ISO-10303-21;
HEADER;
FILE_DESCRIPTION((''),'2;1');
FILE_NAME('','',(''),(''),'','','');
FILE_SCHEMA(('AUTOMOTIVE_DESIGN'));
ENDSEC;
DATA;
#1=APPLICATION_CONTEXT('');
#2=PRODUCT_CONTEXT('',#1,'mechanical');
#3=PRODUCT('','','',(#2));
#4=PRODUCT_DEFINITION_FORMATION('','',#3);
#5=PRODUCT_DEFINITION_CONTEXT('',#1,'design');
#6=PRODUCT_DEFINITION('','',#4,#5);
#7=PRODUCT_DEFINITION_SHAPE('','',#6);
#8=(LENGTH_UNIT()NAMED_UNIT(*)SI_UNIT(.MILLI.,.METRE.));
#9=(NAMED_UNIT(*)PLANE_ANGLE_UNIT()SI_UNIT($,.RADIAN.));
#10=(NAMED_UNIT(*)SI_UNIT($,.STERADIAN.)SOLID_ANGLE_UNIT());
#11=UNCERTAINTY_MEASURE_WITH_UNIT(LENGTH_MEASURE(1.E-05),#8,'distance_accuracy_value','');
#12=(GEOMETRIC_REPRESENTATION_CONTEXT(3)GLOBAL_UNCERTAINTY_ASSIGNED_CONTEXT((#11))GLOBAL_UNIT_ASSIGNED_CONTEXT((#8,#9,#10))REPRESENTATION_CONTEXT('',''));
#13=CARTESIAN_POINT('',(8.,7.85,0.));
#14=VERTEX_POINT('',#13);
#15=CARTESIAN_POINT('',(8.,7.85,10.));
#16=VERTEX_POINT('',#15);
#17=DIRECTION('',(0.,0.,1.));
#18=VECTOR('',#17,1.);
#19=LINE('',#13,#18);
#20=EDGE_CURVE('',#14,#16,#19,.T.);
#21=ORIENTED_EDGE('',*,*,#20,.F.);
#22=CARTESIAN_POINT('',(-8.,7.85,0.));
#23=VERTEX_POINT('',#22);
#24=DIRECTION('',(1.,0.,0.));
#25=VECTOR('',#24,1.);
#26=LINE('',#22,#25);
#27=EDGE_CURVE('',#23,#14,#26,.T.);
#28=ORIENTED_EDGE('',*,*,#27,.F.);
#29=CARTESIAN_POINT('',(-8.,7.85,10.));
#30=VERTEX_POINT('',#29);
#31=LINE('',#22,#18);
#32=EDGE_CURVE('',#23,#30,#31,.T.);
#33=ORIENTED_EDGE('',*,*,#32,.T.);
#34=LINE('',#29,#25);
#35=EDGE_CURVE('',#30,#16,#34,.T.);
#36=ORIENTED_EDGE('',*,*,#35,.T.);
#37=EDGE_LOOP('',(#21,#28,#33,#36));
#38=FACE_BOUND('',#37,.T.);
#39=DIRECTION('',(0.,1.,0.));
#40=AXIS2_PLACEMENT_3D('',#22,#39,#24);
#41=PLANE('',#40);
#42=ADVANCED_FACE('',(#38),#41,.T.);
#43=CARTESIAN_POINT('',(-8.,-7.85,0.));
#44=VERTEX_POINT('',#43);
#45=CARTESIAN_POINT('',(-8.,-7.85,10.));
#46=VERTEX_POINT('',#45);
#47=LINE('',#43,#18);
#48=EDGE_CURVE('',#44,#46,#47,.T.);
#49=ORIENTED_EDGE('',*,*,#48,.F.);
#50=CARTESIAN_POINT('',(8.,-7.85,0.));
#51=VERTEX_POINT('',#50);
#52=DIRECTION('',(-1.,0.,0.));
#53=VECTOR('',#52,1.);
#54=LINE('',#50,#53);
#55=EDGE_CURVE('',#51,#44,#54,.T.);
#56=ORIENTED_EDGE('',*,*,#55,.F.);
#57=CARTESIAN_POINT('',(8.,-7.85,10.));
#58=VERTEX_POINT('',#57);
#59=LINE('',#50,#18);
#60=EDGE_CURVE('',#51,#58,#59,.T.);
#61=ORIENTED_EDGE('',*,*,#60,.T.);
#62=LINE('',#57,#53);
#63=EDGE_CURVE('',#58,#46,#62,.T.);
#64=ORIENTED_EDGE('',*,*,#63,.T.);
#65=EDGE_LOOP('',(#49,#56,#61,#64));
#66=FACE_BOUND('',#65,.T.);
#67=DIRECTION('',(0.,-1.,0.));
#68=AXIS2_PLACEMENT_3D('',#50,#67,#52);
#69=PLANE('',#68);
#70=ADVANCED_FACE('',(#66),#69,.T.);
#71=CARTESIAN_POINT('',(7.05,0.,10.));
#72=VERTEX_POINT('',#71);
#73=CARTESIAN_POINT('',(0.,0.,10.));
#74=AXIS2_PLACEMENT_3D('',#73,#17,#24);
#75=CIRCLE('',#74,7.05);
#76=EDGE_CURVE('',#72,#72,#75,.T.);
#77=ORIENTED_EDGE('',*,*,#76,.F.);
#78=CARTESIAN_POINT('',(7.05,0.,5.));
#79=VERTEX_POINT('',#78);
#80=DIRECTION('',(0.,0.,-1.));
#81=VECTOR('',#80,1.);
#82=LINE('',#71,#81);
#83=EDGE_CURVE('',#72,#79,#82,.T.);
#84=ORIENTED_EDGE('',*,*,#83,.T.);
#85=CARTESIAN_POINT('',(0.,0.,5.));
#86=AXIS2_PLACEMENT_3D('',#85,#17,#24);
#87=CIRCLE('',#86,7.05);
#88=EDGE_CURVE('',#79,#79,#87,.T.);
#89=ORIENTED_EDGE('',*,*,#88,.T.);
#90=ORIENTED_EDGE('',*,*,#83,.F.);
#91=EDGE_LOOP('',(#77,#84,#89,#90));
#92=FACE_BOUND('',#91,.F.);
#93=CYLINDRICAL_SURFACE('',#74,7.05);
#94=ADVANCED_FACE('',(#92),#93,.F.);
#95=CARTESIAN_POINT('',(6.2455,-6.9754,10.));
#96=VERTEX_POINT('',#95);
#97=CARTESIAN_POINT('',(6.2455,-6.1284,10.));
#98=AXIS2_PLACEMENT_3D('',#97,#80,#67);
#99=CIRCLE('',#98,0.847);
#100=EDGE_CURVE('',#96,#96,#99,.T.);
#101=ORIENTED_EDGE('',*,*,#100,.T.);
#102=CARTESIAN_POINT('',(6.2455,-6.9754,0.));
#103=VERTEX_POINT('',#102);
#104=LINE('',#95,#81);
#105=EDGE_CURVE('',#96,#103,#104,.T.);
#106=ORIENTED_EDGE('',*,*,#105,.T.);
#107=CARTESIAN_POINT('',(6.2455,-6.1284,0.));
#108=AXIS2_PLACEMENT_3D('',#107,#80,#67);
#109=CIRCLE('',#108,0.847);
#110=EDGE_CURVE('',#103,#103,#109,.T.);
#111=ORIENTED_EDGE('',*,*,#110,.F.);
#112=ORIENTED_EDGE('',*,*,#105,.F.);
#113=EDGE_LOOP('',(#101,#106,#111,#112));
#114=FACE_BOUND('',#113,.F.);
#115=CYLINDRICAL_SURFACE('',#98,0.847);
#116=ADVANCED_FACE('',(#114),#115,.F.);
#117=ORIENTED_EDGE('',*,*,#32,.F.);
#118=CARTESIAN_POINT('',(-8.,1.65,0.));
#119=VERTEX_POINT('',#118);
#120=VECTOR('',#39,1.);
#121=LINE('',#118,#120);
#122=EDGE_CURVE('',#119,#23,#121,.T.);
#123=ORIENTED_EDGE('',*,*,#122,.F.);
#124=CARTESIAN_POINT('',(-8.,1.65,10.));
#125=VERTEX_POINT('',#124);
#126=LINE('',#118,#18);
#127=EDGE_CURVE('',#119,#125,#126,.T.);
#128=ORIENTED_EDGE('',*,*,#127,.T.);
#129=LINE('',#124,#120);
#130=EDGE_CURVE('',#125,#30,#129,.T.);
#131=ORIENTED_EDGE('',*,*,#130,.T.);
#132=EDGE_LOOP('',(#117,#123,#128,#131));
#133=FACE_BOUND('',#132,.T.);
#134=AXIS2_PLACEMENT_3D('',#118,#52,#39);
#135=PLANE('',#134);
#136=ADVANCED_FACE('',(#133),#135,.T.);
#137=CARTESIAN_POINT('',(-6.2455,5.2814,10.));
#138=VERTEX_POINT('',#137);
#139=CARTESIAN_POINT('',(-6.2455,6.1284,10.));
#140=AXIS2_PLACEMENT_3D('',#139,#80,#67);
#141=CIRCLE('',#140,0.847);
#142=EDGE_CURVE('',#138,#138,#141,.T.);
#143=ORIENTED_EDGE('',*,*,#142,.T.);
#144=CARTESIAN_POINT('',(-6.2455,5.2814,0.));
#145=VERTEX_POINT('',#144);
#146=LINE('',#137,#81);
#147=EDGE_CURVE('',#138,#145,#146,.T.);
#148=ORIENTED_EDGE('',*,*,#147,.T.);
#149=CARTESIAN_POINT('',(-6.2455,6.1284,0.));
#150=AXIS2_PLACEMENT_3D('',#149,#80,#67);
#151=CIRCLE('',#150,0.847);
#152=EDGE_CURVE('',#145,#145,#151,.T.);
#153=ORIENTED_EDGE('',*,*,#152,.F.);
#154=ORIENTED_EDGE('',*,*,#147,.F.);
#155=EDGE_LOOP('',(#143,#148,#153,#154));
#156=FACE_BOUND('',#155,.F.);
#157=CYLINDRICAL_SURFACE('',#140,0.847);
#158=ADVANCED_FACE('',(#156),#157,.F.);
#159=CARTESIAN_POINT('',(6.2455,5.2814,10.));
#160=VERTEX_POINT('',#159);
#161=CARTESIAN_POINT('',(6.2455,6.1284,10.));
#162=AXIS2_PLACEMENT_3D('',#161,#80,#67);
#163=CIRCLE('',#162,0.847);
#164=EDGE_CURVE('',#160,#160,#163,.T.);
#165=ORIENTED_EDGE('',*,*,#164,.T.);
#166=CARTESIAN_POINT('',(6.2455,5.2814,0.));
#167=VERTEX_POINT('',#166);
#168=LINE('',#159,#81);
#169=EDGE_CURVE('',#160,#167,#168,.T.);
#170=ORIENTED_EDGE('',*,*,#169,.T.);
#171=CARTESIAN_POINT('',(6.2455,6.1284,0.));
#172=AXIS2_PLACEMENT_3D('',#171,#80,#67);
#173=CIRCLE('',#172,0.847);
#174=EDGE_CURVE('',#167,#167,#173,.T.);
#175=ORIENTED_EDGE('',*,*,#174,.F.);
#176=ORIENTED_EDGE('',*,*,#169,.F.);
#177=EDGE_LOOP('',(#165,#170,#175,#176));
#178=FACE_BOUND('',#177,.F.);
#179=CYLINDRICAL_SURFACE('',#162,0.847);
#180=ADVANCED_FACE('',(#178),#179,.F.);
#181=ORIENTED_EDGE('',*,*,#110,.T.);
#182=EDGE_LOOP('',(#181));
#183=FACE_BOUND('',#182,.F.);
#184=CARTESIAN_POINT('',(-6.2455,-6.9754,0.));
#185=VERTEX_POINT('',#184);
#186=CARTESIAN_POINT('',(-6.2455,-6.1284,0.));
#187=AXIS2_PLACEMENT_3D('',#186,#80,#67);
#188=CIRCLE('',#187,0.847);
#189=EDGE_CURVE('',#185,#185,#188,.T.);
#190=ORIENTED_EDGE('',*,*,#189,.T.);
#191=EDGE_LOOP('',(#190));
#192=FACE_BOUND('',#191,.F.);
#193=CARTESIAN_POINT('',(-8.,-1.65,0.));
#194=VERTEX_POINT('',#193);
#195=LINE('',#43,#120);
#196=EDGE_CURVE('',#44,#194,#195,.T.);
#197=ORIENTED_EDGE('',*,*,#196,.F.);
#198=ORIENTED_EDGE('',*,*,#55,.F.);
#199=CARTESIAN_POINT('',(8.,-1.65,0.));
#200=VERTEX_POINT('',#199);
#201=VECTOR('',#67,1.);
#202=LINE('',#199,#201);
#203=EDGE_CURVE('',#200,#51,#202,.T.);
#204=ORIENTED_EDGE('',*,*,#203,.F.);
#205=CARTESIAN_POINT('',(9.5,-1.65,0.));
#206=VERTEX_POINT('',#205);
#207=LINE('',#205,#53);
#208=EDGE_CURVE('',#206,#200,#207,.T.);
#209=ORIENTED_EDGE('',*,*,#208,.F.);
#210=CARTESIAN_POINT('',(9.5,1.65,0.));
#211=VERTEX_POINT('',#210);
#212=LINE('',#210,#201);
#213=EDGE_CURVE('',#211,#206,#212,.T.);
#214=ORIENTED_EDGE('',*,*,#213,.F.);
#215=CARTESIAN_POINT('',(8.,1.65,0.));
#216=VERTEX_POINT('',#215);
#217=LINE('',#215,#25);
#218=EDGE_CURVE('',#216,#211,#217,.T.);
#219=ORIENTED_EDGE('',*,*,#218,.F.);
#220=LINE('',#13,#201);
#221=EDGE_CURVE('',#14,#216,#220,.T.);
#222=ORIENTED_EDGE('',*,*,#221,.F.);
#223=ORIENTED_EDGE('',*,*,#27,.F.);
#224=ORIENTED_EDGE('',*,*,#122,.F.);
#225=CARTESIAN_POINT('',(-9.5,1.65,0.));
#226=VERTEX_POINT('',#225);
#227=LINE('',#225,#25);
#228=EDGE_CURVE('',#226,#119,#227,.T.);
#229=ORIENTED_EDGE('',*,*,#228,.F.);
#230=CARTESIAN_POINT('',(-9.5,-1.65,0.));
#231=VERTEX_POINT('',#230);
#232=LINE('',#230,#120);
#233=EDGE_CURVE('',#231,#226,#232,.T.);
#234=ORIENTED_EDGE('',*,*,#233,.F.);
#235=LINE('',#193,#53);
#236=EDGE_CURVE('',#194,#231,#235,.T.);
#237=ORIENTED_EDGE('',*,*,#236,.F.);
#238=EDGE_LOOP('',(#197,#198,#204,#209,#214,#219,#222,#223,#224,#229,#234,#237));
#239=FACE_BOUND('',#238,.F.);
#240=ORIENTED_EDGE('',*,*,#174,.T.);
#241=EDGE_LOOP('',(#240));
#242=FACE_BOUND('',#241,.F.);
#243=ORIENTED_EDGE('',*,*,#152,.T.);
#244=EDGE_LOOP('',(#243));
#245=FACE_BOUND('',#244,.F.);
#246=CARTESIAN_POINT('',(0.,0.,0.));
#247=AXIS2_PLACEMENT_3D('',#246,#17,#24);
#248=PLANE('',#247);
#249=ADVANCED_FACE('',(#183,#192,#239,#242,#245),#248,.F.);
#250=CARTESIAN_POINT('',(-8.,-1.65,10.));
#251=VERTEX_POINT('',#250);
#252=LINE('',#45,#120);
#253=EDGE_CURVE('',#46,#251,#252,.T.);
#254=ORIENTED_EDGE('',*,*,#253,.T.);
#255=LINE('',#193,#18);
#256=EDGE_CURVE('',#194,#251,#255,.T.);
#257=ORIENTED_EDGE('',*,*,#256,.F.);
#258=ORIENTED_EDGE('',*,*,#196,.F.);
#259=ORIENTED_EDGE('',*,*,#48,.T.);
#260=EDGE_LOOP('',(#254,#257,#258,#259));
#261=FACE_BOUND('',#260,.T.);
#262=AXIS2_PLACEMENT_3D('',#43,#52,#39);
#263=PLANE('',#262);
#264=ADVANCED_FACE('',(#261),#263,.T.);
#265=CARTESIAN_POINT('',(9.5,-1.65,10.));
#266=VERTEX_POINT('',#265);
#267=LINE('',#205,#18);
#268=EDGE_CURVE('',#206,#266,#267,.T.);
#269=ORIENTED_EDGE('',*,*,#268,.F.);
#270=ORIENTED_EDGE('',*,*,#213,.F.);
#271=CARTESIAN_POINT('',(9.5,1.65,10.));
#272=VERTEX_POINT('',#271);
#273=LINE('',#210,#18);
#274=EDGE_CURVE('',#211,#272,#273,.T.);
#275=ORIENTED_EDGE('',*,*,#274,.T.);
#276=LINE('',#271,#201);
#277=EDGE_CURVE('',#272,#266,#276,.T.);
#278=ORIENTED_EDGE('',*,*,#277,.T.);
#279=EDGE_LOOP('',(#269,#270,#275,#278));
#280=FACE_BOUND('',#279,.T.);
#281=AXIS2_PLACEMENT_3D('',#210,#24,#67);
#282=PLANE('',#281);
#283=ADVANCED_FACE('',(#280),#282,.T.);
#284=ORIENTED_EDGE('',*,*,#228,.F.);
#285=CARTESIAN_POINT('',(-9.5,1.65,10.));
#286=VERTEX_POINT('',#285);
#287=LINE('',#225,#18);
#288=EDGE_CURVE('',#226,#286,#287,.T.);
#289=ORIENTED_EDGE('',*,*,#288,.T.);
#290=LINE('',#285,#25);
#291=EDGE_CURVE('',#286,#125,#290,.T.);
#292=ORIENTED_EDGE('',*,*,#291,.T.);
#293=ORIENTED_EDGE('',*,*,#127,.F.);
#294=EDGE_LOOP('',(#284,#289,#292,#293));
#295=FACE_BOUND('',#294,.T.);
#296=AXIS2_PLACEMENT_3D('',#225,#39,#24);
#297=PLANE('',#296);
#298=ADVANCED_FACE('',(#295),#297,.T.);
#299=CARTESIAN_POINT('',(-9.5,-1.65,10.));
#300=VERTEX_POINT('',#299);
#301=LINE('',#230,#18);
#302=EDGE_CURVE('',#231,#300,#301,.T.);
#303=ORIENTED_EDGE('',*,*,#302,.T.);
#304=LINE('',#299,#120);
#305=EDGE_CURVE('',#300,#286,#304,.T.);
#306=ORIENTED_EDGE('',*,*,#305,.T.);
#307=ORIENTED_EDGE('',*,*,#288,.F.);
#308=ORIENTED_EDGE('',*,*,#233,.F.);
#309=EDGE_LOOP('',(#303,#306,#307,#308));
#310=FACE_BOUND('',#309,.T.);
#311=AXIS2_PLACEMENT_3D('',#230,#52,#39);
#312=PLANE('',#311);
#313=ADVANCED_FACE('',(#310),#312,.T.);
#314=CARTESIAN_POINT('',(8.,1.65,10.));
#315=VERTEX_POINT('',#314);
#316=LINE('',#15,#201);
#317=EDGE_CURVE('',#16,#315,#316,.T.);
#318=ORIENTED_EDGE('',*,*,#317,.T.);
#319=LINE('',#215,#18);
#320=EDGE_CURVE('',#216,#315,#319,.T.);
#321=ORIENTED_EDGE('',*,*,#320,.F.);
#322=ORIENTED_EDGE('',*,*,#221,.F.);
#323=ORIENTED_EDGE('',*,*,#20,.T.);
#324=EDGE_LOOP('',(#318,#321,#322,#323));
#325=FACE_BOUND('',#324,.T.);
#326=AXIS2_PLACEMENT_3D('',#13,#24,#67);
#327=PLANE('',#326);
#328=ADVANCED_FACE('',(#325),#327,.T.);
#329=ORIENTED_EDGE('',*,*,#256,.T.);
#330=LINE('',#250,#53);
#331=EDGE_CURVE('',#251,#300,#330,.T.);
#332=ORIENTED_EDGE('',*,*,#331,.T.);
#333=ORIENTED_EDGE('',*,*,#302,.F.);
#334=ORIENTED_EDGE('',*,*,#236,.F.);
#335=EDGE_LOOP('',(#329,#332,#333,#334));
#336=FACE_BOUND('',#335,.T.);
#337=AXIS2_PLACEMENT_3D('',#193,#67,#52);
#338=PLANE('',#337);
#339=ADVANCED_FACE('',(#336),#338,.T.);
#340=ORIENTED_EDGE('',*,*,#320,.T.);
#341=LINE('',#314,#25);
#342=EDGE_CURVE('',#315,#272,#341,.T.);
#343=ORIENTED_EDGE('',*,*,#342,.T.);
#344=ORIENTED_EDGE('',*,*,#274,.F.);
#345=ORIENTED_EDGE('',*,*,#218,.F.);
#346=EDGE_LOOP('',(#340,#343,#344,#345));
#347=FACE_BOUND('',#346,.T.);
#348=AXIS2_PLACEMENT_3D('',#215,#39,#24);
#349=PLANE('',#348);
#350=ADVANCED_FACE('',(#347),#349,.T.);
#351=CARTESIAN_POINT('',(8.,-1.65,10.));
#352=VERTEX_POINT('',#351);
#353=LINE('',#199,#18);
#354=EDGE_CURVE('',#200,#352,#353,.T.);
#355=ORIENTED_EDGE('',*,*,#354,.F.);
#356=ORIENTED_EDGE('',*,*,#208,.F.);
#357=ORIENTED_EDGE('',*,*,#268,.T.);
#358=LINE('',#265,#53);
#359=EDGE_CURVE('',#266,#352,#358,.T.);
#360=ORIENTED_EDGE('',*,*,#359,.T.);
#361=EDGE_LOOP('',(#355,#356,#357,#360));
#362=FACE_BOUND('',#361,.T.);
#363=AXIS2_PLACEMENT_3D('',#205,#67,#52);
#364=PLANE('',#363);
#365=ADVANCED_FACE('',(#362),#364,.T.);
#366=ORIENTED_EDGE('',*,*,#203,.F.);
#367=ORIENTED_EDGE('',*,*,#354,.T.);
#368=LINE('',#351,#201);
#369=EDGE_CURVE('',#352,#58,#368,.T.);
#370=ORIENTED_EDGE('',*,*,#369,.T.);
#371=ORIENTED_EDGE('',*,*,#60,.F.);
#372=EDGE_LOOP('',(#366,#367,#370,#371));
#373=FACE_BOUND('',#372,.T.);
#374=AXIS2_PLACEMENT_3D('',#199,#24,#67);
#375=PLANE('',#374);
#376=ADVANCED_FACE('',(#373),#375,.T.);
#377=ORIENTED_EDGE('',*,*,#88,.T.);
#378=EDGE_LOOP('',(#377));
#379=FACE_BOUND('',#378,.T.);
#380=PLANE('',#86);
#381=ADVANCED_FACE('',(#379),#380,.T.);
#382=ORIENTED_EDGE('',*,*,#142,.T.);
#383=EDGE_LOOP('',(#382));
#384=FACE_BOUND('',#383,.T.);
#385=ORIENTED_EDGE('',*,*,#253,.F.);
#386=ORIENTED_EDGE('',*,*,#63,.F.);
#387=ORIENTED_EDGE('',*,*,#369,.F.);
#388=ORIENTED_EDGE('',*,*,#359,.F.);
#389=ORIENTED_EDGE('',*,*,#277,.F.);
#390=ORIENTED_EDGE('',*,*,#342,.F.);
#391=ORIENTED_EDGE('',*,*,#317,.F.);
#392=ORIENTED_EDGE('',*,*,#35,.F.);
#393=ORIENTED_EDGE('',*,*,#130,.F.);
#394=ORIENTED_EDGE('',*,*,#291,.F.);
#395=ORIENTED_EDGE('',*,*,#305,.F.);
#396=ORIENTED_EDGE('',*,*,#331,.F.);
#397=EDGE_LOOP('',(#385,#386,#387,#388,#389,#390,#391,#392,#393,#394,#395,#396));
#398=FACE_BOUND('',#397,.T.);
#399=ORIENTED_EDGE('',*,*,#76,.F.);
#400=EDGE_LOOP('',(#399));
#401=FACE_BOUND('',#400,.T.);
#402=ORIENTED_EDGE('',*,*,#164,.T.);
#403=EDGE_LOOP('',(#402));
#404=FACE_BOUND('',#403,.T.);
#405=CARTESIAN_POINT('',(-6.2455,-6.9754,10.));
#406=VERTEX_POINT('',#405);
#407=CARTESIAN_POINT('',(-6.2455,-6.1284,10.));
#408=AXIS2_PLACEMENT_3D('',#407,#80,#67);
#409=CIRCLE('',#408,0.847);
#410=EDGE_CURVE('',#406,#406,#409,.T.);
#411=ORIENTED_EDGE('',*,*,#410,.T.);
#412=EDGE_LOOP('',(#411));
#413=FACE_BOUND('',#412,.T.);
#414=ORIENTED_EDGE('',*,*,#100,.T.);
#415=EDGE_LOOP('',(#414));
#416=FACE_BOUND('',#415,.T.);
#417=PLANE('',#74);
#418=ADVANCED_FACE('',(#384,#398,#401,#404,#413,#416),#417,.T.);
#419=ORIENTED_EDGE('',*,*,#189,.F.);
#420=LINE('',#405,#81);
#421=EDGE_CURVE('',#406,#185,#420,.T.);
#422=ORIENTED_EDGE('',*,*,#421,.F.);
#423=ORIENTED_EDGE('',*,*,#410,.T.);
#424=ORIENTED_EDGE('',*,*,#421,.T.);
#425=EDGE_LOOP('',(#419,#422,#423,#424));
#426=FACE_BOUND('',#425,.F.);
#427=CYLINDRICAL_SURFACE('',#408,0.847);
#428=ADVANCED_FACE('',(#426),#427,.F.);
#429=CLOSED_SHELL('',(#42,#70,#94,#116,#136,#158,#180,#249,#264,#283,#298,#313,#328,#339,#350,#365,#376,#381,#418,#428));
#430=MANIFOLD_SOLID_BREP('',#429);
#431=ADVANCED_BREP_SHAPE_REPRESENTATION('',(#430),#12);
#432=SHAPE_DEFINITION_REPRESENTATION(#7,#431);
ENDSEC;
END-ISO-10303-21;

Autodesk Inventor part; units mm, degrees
ref_plane "YZ Plane" through (0, 0, 0) normal (1, 0, 0) x (0, 1, 0)
ref_plane "XZ Plane" through (0, 0, 0) normal (0, 1, 0) x (-1, 0, 0)
ref_plane "XY Plane" through (0, 0, 0) normal (0, 0, 1) x (1, 0, 0)
sketch "Sketch1" plane through (0, 0, 0) normal (0, 0, 1) x (1, 0, 0)
  line L0 (8, -7.85) -> (-8, -7.85)
  line L1 (-8, 7.85) -> (8, 7.85)
  line L2 (8, -7.85) -> (-8, 7.85) construction
  line L3 (-9.5, -1.65) -> (-9.5, 1.65)
  line L4 (9.5, 1.65) -> (9.5, -1.65)
  line L5 (-8, -7.85) -> (-8, -1.65)
  line L6 (-8, 1.65) -> (-8, 7.85)
  line L7 (8, 7.85) -> (8, 1.65)
  line L8 (8, -1.65) -> (8, -7.85)
  line L9 (9.5, -1.65) -> (8, -1.65)
  line L10 (-8, -1.65) -> (-9.5, -1.65)
  line L11 (-9.5, 1.65) -> (-8, 1.65)
  line L12 (8, 1.65) -> (9.5, 1.65)
  point P0 (0, 0)
  dimension "d0" = 16
  dimension "d1" = 15.7
  dimension "d2" = 19
  dimension "d3" = 3.3
extrude "Extrusion1" add sketch "Sketch1" along normal blind 10
sketch "Sketch2" plane through (0, 0, 10) normal (0, 0, 1) x (1, 0, 0)
  circle A0 centre (0, 0) radius 7.05
  dimension "d6" = 14.1
extrude "Extrusion2" cut sketch "Sketch2" against normal blind 5
sketch "Sketch4" plane through (0, 0, 10) normal (0, 0, 1) x (1, 0, 0)
  circle A0 centre (0, 0) radius 8.75
  line L0 (-8, 1.65) -> (-8, 7.85) projected
  line L1 (0, 0) -> (-8, 7.85)
  line L2 (-8, -1.65) -> (-8, -7.85) projected
  line L3 (0, 0) -> (-8, -7.85)
  line L4 (-8, -7.85) -> (8, -7.85) projected
  line L5 (0, 0) -> (8, -7.85)
  line L6 (8, 7.85) -> (-8, 7.85) projected
  line L7 (0, 0) -> (8, 7.85)
  point P0 (-6.2455, 6.1284)
  point P1 (6.2455, 6.1284)
  point P2 (6.2455, -6.1284)
  point P3 (-6.2455, -6.1284)
  dimension "d17" = 17.5
hole "Hole2" at (-6.2455, 6.1284, 10) at (6.2455, 6.1284, 10) at (6.2455, -6.1284, 10) at (-6.2455, -6.1284, 10) direction (0, 0, -1) diameter 1.694 end through all thread size "2-56 UNC" class "2B" standard "ANSI Unified Screw Threads"
properties part number "teflonlense assem"
